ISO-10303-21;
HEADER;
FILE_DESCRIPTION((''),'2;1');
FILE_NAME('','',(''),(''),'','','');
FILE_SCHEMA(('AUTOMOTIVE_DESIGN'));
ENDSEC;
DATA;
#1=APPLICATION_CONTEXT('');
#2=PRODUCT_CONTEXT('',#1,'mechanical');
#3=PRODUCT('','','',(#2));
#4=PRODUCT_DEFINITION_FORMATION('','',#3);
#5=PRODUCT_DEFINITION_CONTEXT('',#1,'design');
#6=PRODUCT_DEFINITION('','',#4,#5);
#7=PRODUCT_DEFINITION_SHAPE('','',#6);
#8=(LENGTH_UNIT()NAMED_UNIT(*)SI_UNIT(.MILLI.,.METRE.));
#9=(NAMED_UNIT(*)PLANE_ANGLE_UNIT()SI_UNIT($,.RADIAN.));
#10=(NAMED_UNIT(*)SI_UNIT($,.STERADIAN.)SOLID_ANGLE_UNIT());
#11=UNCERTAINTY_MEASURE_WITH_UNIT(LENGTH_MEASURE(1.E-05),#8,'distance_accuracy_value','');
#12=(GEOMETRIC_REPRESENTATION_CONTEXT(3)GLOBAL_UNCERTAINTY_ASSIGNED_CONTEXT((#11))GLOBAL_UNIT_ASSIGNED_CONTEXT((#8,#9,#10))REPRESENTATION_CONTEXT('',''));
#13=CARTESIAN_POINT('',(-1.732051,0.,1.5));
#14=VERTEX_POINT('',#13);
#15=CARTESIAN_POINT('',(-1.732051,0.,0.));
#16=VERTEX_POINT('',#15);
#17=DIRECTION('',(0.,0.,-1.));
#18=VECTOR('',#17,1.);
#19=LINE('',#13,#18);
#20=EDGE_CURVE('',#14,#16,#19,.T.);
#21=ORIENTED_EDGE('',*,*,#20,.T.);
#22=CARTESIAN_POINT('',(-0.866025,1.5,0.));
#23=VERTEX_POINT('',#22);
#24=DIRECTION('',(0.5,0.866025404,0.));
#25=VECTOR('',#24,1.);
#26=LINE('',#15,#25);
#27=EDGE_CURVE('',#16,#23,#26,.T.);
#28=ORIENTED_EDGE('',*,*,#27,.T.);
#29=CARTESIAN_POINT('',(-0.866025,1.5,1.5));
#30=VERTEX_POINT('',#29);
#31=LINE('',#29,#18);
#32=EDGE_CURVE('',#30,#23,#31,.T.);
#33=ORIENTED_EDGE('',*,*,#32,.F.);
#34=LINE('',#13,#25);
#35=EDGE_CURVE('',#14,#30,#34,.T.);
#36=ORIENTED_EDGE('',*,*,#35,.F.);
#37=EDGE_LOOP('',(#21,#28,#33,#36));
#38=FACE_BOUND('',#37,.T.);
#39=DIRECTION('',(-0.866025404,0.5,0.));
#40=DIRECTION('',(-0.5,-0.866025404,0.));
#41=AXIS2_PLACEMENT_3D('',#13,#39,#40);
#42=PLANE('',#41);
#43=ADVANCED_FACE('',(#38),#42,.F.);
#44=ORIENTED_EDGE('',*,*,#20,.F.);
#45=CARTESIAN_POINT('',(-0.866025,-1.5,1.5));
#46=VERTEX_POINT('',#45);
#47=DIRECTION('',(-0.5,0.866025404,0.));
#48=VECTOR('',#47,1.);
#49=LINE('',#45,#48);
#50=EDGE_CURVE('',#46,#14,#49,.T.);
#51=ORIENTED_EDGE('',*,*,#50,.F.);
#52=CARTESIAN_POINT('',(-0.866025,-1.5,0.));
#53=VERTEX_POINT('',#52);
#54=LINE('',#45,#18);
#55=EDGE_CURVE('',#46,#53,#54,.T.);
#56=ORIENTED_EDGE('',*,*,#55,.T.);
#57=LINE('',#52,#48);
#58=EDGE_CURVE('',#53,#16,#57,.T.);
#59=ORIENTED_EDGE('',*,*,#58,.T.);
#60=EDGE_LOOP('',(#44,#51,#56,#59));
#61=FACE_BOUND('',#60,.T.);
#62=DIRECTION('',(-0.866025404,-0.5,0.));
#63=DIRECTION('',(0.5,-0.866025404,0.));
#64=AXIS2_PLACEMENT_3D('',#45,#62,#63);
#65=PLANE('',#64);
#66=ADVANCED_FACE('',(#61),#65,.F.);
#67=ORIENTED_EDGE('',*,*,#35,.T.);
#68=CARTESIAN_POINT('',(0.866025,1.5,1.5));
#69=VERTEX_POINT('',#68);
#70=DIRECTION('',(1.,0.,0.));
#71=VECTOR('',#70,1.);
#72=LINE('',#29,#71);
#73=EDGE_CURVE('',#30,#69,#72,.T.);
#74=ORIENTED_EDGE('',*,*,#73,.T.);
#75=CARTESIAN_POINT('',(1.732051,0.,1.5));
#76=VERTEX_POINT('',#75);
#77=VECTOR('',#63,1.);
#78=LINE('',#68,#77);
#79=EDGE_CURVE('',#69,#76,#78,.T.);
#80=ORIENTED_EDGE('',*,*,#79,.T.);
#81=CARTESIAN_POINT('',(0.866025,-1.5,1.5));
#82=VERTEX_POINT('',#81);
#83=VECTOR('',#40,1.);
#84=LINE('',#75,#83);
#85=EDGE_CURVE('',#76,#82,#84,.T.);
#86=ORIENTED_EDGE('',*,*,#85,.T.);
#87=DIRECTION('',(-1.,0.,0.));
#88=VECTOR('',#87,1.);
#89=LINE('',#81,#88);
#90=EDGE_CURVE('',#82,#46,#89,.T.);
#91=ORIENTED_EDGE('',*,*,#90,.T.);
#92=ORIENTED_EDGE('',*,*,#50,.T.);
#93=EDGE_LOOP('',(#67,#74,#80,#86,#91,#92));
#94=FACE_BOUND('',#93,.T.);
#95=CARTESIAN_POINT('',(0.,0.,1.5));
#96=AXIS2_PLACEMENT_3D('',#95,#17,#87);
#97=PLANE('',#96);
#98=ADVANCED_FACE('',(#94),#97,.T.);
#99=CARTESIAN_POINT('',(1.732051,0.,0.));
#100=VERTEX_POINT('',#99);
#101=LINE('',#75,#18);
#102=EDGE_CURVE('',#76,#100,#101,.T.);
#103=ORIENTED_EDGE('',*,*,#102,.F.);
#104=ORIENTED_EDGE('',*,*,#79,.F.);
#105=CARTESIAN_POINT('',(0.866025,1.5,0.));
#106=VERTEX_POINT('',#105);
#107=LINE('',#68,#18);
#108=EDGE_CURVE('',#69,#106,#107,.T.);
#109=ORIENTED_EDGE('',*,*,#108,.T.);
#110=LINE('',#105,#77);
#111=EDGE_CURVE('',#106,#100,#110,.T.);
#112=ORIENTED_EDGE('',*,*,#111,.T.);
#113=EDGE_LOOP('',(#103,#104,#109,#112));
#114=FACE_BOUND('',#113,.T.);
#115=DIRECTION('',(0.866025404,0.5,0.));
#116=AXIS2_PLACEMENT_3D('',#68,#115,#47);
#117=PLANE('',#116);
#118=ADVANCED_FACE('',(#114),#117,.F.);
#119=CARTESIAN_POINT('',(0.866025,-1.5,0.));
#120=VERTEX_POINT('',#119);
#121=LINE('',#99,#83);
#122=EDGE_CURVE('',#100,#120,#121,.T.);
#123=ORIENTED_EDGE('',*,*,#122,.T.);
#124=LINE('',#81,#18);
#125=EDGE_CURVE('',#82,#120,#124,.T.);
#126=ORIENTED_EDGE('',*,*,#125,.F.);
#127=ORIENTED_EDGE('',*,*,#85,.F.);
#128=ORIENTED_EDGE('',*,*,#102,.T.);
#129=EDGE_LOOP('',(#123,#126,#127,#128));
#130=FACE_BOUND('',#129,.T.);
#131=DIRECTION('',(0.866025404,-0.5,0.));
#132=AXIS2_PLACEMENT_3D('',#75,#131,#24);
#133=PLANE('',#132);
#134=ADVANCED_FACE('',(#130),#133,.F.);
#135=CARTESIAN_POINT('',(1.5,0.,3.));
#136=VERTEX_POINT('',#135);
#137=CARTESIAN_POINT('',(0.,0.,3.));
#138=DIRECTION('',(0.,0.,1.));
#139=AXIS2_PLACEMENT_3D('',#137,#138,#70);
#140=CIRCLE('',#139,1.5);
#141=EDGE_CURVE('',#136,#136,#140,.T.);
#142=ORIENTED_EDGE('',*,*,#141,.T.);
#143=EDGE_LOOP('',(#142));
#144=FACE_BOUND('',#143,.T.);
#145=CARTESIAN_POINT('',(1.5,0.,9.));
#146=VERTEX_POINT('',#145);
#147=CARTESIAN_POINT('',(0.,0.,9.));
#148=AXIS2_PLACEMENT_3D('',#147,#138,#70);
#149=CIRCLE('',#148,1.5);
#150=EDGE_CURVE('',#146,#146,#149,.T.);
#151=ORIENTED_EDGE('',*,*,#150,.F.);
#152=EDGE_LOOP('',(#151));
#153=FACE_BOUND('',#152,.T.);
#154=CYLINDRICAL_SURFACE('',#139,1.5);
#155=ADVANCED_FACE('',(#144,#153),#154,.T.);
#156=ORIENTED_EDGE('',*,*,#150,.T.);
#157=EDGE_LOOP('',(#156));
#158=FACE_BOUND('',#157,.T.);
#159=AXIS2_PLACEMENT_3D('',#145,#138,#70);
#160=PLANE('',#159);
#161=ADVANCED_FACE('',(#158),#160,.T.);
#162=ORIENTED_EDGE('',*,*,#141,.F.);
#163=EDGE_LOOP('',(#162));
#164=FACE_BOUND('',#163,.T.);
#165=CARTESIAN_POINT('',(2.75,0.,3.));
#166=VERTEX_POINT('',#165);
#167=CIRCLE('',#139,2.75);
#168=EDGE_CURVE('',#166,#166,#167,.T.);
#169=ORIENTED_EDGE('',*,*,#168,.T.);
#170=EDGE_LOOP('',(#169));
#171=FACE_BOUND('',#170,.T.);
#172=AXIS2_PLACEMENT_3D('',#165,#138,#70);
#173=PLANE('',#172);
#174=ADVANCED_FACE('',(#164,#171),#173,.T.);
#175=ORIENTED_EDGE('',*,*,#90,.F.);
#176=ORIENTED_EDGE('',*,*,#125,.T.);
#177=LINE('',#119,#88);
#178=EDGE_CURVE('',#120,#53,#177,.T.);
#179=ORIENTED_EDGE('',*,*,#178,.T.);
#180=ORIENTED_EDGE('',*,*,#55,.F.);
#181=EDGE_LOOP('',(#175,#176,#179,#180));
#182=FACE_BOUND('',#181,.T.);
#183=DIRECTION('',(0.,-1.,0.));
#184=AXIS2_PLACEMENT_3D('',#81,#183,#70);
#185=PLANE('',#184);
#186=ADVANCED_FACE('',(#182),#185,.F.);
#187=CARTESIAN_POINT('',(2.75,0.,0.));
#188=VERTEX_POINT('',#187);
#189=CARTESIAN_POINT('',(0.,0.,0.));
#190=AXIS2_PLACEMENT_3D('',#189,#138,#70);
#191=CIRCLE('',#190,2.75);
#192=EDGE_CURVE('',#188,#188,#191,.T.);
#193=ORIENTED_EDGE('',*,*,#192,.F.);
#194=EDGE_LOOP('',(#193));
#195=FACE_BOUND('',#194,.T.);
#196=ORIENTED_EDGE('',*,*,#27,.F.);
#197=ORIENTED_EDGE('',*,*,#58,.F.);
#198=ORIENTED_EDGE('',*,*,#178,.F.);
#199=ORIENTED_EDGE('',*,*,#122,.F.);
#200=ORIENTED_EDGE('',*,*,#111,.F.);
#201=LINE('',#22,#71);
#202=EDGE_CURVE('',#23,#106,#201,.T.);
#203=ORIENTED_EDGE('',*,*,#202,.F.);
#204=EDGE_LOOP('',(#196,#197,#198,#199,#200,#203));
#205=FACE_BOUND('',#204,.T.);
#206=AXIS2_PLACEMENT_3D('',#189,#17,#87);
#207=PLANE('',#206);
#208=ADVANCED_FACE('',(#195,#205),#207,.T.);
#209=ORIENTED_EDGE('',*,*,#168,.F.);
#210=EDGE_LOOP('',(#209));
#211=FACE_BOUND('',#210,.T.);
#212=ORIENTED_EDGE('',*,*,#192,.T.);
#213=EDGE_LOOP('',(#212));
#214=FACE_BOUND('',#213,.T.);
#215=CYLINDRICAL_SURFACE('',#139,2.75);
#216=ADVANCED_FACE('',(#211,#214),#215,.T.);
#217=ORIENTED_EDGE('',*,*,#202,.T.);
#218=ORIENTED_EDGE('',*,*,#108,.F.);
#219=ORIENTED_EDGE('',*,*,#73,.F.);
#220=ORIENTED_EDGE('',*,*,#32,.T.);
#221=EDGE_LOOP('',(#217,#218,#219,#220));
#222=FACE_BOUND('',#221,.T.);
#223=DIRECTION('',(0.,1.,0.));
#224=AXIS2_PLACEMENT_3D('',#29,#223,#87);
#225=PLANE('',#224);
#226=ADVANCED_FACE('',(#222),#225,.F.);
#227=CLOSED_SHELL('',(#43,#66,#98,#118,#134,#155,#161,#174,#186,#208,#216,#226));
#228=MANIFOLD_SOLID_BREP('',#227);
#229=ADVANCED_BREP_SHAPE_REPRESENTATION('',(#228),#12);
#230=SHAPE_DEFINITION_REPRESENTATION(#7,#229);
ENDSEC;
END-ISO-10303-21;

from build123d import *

# Parameters (mm, degrees)
CORTE_EXTRUS_O1_DEPTH = 1.5


with BuildPart() as part:
    # Esboço1 → Revolução1 (revolve)
    with BuildSketch(Plane(origin=(0, 0, 0), x_dir=(1, 0, 0), z_dir=(0, 1, 0))):
        Polygon((0, 0), (2.75, 0), (2.75, -3), (1.5, -3), (1.5, -9), (0, -9), (0, -3), align=None)
    revolve(axis=Axis((0, 0, 3), (0, 0, -1)))

    # Esboço2 → Corte-extrusão1 (cut)
    with BuildSketch(Plane(origin=(0, 0, 0), x_dir=(-1, 0, 0), z_dir=(0, 0, -1))):
        Polygon((1.732050808, 0), (0.866025404, 1.5), (-0.866025404, 1.5), (-1.732050808, 0), (-0.866025404, -1.5), (0.866025404, -1.5), align=None)
    extrude(amount=-CORTE_EXTRUS_O1_DEPTH, mode=Mode.SUBTRACT)


solid = part.part
